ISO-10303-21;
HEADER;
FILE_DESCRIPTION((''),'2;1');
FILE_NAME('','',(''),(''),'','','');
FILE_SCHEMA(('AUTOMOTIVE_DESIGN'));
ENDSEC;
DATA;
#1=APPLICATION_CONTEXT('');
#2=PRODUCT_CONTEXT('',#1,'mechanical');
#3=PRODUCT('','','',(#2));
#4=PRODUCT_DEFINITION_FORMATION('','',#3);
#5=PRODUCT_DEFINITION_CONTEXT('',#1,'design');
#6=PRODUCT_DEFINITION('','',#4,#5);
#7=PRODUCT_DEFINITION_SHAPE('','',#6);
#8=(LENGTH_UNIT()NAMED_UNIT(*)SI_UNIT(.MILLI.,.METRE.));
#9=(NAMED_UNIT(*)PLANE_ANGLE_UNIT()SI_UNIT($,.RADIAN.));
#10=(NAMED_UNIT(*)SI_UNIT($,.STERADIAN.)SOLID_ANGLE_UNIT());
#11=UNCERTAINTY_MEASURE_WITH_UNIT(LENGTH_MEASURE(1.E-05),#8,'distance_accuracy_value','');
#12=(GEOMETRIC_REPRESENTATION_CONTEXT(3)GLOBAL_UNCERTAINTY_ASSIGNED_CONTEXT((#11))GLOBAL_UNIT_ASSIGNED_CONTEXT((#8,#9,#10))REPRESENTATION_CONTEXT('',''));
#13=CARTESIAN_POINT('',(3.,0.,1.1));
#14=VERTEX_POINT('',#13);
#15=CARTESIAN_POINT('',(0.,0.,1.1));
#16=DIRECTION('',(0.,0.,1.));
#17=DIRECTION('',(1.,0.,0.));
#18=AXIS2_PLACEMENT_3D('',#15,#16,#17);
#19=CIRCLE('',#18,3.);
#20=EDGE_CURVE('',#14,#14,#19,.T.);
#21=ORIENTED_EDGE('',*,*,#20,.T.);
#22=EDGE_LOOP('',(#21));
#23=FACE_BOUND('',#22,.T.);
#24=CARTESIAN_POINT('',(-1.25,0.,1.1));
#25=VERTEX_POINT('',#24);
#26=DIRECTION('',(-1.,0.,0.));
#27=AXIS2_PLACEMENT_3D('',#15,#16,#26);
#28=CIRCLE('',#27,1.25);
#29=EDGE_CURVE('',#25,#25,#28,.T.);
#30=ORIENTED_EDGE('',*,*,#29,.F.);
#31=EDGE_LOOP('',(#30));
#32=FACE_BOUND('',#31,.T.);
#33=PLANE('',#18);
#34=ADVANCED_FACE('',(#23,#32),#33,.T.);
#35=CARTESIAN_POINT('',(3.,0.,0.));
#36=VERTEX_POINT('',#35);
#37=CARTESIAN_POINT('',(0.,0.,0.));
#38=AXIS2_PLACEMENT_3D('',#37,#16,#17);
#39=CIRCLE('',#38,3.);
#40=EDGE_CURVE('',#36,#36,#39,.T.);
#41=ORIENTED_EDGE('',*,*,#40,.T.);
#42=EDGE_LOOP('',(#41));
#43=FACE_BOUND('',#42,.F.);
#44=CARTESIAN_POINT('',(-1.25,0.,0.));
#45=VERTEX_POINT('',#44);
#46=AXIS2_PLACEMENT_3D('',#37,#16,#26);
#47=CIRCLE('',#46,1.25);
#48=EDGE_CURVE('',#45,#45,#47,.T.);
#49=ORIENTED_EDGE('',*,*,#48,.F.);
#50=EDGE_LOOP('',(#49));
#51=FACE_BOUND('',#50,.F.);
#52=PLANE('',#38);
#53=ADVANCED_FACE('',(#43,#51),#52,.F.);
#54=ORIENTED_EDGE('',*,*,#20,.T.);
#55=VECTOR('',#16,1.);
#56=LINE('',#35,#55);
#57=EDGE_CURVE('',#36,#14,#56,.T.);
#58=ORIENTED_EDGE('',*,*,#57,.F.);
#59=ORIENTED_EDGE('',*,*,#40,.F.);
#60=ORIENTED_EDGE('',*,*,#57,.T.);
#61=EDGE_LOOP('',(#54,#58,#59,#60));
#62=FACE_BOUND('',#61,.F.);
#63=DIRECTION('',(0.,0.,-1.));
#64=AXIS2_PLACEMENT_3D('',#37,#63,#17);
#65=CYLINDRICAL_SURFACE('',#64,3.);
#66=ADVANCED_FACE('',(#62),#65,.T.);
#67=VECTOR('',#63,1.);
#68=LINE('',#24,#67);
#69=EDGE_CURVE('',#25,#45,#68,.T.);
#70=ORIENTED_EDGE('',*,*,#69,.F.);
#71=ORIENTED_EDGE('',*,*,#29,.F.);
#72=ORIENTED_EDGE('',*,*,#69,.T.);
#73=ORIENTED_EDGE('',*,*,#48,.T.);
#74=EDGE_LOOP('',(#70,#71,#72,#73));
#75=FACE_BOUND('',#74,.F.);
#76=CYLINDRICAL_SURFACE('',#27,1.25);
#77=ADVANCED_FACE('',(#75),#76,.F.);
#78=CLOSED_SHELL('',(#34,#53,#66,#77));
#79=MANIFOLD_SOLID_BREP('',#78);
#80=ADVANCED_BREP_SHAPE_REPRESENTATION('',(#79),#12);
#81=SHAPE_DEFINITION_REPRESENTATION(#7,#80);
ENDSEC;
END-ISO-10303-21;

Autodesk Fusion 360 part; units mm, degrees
sketch "Sketch1" plane through (0, 0, 0) normal (0, 0, 1) x (1, 0, 0)
  circle A0 centre (0, 0) radius 3
  dimension "d1" = 6
extrude "Extrude1" add sketch "Sketch1" along normal blind 1.1
sketch "Sketch2" plane through (0, 0, 1.1) normal (0, 0, 1) x (-1, 0, 0)
  circle A0 centre (0, 0) radius 3
sketch "Sketch3" plane through (0, 0, 1.1) normal (0, 0, 1) x (-1, 0, 0)
  circle A0 centre (0, 0) radius 1.25
  dimension "d4" = 2.5
extrude "Extrude2" cut sketch "Sketch3" against normal blind 1.1
